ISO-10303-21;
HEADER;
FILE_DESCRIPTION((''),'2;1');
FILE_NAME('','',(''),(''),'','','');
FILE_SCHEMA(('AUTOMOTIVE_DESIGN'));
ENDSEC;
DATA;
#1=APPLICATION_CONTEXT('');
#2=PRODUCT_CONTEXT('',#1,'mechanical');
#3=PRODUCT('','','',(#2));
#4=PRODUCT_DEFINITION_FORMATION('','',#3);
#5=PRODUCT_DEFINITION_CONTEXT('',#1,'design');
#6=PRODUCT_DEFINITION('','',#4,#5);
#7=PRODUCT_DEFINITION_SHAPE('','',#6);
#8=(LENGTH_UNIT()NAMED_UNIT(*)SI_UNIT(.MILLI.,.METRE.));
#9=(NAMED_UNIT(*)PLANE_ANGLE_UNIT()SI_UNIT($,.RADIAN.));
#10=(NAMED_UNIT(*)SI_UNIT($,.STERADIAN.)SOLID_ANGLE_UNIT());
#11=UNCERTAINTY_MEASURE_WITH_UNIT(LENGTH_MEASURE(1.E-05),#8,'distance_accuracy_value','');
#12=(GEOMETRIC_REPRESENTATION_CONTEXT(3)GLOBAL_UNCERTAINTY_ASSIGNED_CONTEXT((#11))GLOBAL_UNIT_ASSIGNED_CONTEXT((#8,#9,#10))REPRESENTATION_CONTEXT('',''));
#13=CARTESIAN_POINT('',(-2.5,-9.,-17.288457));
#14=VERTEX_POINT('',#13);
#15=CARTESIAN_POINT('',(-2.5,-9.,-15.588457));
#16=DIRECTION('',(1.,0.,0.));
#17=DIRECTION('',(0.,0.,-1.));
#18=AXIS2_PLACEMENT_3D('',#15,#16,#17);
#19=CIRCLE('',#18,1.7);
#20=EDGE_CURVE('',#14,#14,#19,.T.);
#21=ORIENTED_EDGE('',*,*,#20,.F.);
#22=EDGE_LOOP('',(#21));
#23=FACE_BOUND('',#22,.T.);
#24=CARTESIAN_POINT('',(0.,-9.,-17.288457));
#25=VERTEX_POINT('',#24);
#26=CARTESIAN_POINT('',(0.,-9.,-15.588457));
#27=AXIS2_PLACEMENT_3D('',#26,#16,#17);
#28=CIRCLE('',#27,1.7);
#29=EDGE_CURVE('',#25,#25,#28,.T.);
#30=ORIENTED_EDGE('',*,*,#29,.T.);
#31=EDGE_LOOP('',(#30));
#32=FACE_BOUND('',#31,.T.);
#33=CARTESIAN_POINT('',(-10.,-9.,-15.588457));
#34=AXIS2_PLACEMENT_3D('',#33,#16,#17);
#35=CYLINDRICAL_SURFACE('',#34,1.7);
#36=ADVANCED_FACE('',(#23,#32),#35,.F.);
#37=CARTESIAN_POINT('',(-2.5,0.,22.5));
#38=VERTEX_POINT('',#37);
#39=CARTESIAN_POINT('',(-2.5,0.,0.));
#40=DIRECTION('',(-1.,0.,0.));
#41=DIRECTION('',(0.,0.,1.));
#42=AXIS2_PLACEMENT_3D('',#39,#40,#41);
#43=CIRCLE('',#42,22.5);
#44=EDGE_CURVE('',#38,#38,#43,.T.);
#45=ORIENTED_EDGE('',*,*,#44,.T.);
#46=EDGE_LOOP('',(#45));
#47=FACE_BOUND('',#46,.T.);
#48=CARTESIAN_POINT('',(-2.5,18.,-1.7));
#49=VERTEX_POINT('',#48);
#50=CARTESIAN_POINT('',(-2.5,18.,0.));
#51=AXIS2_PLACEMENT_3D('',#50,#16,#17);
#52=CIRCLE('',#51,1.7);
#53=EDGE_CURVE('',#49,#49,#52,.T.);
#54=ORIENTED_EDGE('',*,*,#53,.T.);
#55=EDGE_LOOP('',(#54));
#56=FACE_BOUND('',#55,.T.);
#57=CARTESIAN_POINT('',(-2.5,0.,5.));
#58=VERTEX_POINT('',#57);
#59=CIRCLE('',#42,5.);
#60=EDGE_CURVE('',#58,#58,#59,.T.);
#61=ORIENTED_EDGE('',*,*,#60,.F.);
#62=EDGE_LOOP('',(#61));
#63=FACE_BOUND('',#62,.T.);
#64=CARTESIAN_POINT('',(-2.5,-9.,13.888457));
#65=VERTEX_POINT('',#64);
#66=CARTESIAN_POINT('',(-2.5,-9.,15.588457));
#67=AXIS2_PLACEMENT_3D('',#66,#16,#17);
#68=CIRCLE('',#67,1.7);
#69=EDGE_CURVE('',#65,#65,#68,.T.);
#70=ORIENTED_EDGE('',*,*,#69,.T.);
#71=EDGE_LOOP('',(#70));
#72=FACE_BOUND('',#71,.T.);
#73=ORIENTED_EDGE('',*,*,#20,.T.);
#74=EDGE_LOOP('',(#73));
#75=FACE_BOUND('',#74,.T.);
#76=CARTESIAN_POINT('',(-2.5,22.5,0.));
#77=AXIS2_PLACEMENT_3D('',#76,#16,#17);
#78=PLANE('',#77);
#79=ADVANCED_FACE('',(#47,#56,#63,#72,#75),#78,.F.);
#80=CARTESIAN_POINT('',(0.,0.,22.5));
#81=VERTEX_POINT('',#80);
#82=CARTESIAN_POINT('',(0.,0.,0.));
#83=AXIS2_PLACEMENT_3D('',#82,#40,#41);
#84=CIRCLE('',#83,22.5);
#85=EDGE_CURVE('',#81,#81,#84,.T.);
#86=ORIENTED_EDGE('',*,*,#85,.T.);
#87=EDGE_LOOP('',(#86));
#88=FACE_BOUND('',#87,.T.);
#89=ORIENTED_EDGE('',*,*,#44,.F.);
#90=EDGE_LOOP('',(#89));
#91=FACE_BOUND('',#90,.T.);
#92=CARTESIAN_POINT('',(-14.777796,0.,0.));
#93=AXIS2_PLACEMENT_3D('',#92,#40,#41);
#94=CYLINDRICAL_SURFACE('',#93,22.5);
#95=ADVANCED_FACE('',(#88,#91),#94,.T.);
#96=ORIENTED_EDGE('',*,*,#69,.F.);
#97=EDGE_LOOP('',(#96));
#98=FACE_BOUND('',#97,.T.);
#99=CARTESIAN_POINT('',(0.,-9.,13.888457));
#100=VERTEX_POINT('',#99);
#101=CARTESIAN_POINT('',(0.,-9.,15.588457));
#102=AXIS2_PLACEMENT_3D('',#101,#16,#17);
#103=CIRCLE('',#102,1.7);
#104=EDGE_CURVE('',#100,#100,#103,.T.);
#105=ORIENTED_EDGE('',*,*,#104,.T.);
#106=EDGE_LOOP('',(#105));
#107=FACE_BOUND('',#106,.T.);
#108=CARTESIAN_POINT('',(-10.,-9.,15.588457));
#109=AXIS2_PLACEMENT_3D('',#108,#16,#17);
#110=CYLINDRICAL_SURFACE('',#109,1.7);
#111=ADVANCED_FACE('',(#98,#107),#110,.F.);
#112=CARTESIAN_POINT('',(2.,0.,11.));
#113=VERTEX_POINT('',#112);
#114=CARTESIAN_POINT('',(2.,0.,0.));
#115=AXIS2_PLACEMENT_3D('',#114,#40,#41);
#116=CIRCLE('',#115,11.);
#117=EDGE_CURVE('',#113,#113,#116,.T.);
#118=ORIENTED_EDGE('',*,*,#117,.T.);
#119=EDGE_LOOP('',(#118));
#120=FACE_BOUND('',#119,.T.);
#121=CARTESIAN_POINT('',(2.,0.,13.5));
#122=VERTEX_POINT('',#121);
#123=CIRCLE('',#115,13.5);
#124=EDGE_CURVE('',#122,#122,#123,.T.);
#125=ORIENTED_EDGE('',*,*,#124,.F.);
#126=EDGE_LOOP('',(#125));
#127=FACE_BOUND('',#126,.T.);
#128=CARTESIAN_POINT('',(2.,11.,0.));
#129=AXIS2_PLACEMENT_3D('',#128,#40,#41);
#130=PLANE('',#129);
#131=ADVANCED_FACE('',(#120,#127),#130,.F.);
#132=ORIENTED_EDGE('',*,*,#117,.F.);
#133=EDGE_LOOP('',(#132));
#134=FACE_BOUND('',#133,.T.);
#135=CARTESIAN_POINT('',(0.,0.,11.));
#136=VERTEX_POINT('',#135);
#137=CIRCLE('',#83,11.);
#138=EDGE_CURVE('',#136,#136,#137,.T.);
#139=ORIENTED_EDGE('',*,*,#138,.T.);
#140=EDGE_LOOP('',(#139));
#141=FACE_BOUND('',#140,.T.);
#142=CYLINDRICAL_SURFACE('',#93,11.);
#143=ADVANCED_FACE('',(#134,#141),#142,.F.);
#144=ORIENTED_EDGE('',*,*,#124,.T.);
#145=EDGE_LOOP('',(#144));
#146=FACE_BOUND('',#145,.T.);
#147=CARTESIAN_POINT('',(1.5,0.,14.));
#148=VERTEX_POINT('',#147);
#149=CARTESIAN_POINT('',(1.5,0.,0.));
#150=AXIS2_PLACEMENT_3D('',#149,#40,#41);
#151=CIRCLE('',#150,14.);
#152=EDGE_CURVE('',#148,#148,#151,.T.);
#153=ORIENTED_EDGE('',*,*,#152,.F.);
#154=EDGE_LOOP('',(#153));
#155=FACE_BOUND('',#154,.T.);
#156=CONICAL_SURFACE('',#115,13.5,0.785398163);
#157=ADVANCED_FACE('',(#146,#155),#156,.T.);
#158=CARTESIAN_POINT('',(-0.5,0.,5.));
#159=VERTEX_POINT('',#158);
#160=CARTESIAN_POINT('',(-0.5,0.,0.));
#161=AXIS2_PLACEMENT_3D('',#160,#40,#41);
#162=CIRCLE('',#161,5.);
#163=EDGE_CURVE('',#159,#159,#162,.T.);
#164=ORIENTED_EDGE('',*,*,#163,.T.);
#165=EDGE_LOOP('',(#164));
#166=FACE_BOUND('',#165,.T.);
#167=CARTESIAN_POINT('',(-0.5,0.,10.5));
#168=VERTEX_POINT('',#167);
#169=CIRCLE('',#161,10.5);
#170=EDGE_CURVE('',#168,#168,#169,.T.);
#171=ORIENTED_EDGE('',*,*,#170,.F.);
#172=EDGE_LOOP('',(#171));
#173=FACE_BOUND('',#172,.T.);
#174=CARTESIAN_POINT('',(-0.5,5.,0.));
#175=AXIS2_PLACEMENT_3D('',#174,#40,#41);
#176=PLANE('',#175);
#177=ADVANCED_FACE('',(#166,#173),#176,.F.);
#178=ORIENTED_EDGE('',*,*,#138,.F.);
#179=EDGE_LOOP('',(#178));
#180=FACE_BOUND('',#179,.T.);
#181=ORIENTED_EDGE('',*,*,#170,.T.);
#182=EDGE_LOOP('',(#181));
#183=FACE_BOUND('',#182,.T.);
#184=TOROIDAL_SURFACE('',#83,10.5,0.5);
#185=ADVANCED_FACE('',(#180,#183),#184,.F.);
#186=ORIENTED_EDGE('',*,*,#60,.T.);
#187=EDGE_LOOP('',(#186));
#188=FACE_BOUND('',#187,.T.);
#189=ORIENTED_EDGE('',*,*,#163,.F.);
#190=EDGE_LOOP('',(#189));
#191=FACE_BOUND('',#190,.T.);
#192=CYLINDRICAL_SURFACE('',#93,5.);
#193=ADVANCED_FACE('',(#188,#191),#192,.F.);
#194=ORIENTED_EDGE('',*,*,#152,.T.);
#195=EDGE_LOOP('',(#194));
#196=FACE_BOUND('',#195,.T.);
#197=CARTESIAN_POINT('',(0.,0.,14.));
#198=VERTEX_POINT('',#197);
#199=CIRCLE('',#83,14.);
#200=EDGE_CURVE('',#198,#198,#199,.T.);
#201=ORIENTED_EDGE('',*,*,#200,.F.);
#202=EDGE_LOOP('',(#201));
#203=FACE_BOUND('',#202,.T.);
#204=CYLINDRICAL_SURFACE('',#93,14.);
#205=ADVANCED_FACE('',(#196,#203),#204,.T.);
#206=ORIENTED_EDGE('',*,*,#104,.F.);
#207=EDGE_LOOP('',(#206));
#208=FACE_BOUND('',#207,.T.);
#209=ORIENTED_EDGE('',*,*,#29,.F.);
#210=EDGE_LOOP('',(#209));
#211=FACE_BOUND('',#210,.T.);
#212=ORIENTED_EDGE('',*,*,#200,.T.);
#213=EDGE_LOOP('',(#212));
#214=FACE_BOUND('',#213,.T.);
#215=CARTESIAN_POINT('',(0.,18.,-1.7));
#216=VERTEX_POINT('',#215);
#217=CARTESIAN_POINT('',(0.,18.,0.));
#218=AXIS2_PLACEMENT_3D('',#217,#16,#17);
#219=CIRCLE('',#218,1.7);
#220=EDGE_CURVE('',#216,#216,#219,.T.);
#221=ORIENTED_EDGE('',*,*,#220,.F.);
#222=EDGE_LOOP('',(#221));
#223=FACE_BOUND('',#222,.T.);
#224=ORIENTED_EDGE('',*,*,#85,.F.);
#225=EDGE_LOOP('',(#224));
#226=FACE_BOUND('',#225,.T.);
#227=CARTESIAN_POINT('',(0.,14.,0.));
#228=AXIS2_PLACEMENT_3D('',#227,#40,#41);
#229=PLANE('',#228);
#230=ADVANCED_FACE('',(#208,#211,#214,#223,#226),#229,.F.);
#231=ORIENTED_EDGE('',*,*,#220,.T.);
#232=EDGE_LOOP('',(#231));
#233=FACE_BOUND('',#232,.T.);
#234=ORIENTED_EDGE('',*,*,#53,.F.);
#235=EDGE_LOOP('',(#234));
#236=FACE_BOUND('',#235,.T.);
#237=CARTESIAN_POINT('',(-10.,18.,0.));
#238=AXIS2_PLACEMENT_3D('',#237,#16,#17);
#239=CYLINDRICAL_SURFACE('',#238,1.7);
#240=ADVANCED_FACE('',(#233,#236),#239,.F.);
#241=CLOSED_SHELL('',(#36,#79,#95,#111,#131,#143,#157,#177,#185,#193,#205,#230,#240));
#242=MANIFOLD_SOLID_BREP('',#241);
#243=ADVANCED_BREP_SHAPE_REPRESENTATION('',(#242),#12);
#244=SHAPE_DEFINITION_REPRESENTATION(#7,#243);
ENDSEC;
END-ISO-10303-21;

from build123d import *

# Parameters (mm, degrees)
ESQUISSE2_R             = 1.7
ENL_V_MAT_EXTRU_1_DEPTH = 10


with BuildPart() as part:
    # Esquisse1 → Révolution1 (revolve)
    with BuildSketch(Plane.XY, mode=Mode.PRIVATE) as r_volution1_sk:
        with BuildLine():
            Line((-0.5, 5), (-0.5, 10.5))
            ThreePointArc((-0.5, 10.5), (-0.353553391, 10.853553391), (0, 11))
            Line((0, 11), (2, 11))
            Line((2, 11), (2, 13.5))
            Line((2, 13.5), (1.5, 14))
            Line((1.5, 14), (0, 14))
            Line((0, 14), (0, 22.5))
            Line((0, 22.5), (-2.5, 22.5))
            Line((-2.5, 22.5), (-2.5, 5))
            Line((-2.5, 5), (-0.5, 5))
        make_face()
    revolve(r_volution1_sk.sketch.rotate(Axis((-14.777796327, 0, 0), (1, 0, 0)), 90), axis=Axis((-14.777796327, 0, 0), (1, 0, 0)))

    # Esquisse2 → Enlèv. mat.-Extru.1 (cut)
    with BuildSketch(Plane(origin=(0, 0, 0), x_dir=(0, 0, -1), z_dir=(1, 0, 0))):
        with Locations((0, 18)):
            Circle(ESQUISSE2_R)
        with Locations((15.588457268, -9)):
            Circle(ESQUISSE2_R)
        with Locations((-15.588457268, -9)):
            Circle(ESQUISSE2_R)
    extrude(amount=-ENL_V_MAT_EXTRU_1_DEPTH, mode=Mode.SUBTRACT)


solid = part.part
